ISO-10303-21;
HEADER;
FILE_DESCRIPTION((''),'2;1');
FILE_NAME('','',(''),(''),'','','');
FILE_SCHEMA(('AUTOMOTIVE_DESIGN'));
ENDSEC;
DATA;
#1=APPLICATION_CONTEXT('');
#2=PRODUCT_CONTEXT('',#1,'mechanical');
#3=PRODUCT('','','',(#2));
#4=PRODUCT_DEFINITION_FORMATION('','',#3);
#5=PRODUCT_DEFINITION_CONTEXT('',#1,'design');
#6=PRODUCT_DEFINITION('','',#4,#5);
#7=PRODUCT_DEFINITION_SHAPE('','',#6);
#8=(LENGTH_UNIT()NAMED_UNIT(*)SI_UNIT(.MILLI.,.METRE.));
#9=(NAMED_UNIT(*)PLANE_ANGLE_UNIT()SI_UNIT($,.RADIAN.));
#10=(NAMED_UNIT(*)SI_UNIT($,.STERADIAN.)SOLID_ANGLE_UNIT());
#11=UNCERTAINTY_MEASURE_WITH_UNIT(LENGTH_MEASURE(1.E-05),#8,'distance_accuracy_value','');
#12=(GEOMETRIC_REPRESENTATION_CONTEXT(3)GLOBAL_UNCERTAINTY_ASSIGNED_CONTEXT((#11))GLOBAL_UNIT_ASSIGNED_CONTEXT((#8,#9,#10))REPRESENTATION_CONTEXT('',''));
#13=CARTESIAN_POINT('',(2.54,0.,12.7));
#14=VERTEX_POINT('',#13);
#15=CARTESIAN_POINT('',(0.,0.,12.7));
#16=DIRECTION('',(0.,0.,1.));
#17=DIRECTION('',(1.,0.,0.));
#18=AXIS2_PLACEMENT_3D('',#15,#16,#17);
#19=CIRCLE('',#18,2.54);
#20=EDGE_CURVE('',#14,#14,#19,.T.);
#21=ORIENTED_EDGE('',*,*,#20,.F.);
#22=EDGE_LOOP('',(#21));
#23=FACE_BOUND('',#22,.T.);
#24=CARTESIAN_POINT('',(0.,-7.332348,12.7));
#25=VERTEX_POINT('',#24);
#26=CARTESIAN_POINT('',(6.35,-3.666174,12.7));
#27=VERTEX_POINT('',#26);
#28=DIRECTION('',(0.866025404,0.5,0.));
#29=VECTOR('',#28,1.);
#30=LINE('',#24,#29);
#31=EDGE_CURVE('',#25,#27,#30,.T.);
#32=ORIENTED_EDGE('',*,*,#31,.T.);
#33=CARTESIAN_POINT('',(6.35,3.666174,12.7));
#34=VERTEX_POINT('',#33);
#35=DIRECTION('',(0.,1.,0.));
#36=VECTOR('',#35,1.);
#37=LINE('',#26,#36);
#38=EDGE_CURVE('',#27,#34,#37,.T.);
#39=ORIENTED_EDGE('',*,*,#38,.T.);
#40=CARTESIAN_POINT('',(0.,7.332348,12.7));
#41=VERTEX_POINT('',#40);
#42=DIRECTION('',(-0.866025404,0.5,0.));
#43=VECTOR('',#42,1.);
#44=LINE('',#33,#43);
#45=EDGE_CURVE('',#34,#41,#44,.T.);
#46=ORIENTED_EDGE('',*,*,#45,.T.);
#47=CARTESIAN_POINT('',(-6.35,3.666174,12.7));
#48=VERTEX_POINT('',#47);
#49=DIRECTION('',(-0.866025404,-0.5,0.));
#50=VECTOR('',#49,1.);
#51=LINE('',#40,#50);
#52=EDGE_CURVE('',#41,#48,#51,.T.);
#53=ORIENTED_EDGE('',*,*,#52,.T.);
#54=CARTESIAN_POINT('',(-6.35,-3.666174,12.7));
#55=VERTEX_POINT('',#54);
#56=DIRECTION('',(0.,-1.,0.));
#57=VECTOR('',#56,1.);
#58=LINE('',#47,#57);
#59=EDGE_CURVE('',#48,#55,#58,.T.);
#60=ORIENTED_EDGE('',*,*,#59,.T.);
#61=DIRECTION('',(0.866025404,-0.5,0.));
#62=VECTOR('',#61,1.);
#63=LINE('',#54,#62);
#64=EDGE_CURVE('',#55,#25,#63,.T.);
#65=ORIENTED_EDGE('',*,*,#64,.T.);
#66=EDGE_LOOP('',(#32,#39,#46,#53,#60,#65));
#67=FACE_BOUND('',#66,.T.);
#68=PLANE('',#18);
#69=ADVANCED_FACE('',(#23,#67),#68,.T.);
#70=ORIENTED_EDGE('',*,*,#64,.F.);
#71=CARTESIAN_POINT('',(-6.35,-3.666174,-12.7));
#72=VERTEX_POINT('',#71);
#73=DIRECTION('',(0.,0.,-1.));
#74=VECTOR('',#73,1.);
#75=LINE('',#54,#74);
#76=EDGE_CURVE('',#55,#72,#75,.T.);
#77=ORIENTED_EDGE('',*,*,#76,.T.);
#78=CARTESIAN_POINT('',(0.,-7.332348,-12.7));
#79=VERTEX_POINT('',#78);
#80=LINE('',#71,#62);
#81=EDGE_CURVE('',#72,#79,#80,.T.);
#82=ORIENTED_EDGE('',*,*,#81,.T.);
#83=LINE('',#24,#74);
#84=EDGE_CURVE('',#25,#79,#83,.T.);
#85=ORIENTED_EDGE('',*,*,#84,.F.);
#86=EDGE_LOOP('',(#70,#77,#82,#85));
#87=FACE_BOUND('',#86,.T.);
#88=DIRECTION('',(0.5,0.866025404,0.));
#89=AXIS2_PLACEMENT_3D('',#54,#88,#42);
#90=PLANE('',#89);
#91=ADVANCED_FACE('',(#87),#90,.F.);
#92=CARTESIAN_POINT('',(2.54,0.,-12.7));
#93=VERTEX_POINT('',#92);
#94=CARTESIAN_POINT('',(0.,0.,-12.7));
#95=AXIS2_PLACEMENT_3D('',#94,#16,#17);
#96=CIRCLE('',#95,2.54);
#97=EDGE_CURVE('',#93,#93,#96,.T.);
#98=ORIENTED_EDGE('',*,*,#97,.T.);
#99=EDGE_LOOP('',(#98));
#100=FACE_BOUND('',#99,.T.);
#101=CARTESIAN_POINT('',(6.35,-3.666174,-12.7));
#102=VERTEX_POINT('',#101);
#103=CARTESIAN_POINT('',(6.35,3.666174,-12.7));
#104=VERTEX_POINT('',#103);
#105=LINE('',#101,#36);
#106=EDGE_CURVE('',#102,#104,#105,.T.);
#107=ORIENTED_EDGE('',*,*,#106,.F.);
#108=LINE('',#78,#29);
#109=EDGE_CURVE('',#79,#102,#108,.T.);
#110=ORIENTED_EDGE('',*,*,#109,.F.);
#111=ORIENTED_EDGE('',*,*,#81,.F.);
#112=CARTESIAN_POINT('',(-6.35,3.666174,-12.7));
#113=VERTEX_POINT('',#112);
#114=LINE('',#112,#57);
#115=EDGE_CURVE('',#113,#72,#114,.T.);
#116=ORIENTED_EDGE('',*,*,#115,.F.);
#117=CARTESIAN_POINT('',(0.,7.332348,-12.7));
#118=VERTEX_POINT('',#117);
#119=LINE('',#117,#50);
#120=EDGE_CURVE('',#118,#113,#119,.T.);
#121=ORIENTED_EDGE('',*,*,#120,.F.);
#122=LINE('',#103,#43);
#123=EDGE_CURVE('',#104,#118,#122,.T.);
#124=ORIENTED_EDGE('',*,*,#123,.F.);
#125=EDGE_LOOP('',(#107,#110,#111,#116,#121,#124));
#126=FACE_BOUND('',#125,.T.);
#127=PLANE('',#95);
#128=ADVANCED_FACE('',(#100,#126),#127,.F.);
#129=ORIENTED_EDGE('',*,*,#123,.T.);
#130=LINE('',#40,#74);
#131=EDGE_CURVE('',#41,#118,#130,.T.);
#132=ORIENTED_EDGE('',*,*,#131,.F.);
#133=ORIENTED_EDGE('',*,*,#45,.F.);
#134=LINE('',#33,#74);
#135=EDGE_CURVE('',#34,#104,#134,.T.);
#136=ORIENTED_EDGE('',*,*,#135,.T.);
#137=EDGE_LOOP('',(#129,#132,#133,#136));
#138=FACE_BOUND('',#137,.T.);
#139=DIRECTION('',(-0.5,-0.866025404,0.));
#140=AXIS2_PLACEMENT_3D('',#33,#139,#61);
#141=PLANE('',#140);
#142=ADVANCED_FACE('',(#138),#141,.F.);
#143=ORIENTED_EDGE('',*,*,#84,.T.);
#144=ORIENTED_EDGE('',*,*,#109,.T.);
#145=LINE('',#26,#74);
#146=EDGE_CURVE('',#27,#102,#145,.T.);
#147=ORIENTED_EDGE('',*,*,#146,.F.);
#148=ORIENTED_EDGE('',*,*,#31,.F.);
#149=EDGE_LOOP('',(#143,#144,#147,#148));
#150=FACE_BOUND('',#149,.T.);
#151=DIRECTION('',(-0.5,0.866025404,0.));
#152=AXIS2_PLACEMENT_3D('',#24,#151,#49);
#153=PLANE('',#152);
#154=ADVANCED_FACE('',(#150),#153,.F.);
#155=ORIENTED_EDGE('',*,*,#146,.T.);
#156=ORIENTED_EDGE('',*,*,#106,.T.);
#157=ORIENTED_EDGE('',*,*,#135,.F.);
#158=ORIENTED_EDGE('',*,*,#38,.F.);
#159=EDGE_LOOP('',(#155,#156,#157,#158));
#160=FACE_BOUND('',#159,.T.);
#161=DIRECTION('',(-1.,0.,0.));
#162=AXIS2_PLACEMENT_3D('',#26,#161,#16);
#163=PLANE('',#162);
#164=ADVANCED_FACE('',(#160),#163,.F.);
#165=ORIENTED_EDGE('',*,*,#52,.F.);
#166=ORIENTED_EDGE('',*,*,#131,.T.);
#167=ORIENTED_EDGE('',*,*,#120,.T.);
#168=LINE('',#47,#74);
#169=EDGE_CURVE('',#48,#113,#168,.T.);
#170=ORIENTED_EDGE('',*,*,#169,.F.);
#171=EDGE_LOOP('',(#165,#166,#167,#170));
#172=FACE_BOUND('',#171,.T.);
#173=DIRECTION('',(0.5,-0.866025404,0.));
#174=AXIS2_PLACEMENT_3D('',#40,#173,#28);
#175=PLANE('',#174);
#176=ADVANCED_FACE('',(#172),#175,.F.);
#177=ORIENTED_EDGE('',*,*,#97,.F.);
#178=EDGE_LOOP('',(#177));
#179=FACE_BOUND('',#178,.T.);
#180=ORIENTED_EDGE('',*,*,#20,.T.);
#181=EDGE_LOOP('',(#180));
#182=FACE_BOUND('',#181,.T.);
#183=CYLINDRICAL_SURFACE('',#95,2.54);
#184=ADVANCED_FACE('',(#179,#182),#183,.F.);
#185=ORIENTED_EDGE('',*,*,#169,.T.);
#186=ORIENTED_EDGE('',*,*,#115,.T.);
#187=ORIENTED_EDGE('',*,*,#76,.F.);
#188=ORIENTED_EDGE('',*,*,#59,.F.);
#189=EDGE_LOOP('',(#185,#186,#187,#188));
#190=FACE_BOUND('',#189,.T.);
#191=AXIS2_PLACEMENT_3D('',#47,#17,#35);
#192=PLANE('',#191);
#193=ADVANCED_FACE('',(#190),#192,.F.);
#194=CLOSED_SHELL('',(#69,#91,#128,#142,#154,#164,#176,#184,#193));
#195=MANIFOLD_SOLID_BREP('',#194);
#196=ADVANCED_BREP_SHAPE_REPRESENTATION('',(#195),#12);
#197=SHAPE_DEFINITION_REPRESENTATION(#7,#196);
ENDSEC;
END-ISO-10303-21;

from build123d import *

# Parameters (mm, degrees)
BOSS_EXTRUDE1_DEPTH     = 12.7
CUT_EXTRUDE1_DEPTH      = 28.189075625
CUT_EXTRUDE1_DEPTH_BACK = 28.189075625
SKETCH2_R               = 2.54


with BuildPart() as part:
    # Sketch1 → Boss-Extrude1 (new, symmetric)
    with BuildSketch(Plane.XY):
        Polygon((6.35, 3.666174209), (0, 7.332348419), (-6.35, 3.666174209), (-6.35, -3.666174209), (0, -7.332348419), (6.35, -3.666174209), align=None)
    extrude(amount=BOSS_EXTRUDE1_DEPTH, both=True)

    # Sketch2 → Cut-Extrude1 (cut, two sides: drawn at the far end of the back side and taken through both)
    with BuildSketch(Plane.XY.offset(12.7).offset(-CUT_EXTRUDE1_DEPTH_BACK)):
        Circle(SKETCH2_R)
    extrude(amount=CUT_EXTRUDE1_DEPTH + CUT_EXTRUDE1_DEPTH_BACK, mode=Mode.SUBTRACT)


solid = part.part
